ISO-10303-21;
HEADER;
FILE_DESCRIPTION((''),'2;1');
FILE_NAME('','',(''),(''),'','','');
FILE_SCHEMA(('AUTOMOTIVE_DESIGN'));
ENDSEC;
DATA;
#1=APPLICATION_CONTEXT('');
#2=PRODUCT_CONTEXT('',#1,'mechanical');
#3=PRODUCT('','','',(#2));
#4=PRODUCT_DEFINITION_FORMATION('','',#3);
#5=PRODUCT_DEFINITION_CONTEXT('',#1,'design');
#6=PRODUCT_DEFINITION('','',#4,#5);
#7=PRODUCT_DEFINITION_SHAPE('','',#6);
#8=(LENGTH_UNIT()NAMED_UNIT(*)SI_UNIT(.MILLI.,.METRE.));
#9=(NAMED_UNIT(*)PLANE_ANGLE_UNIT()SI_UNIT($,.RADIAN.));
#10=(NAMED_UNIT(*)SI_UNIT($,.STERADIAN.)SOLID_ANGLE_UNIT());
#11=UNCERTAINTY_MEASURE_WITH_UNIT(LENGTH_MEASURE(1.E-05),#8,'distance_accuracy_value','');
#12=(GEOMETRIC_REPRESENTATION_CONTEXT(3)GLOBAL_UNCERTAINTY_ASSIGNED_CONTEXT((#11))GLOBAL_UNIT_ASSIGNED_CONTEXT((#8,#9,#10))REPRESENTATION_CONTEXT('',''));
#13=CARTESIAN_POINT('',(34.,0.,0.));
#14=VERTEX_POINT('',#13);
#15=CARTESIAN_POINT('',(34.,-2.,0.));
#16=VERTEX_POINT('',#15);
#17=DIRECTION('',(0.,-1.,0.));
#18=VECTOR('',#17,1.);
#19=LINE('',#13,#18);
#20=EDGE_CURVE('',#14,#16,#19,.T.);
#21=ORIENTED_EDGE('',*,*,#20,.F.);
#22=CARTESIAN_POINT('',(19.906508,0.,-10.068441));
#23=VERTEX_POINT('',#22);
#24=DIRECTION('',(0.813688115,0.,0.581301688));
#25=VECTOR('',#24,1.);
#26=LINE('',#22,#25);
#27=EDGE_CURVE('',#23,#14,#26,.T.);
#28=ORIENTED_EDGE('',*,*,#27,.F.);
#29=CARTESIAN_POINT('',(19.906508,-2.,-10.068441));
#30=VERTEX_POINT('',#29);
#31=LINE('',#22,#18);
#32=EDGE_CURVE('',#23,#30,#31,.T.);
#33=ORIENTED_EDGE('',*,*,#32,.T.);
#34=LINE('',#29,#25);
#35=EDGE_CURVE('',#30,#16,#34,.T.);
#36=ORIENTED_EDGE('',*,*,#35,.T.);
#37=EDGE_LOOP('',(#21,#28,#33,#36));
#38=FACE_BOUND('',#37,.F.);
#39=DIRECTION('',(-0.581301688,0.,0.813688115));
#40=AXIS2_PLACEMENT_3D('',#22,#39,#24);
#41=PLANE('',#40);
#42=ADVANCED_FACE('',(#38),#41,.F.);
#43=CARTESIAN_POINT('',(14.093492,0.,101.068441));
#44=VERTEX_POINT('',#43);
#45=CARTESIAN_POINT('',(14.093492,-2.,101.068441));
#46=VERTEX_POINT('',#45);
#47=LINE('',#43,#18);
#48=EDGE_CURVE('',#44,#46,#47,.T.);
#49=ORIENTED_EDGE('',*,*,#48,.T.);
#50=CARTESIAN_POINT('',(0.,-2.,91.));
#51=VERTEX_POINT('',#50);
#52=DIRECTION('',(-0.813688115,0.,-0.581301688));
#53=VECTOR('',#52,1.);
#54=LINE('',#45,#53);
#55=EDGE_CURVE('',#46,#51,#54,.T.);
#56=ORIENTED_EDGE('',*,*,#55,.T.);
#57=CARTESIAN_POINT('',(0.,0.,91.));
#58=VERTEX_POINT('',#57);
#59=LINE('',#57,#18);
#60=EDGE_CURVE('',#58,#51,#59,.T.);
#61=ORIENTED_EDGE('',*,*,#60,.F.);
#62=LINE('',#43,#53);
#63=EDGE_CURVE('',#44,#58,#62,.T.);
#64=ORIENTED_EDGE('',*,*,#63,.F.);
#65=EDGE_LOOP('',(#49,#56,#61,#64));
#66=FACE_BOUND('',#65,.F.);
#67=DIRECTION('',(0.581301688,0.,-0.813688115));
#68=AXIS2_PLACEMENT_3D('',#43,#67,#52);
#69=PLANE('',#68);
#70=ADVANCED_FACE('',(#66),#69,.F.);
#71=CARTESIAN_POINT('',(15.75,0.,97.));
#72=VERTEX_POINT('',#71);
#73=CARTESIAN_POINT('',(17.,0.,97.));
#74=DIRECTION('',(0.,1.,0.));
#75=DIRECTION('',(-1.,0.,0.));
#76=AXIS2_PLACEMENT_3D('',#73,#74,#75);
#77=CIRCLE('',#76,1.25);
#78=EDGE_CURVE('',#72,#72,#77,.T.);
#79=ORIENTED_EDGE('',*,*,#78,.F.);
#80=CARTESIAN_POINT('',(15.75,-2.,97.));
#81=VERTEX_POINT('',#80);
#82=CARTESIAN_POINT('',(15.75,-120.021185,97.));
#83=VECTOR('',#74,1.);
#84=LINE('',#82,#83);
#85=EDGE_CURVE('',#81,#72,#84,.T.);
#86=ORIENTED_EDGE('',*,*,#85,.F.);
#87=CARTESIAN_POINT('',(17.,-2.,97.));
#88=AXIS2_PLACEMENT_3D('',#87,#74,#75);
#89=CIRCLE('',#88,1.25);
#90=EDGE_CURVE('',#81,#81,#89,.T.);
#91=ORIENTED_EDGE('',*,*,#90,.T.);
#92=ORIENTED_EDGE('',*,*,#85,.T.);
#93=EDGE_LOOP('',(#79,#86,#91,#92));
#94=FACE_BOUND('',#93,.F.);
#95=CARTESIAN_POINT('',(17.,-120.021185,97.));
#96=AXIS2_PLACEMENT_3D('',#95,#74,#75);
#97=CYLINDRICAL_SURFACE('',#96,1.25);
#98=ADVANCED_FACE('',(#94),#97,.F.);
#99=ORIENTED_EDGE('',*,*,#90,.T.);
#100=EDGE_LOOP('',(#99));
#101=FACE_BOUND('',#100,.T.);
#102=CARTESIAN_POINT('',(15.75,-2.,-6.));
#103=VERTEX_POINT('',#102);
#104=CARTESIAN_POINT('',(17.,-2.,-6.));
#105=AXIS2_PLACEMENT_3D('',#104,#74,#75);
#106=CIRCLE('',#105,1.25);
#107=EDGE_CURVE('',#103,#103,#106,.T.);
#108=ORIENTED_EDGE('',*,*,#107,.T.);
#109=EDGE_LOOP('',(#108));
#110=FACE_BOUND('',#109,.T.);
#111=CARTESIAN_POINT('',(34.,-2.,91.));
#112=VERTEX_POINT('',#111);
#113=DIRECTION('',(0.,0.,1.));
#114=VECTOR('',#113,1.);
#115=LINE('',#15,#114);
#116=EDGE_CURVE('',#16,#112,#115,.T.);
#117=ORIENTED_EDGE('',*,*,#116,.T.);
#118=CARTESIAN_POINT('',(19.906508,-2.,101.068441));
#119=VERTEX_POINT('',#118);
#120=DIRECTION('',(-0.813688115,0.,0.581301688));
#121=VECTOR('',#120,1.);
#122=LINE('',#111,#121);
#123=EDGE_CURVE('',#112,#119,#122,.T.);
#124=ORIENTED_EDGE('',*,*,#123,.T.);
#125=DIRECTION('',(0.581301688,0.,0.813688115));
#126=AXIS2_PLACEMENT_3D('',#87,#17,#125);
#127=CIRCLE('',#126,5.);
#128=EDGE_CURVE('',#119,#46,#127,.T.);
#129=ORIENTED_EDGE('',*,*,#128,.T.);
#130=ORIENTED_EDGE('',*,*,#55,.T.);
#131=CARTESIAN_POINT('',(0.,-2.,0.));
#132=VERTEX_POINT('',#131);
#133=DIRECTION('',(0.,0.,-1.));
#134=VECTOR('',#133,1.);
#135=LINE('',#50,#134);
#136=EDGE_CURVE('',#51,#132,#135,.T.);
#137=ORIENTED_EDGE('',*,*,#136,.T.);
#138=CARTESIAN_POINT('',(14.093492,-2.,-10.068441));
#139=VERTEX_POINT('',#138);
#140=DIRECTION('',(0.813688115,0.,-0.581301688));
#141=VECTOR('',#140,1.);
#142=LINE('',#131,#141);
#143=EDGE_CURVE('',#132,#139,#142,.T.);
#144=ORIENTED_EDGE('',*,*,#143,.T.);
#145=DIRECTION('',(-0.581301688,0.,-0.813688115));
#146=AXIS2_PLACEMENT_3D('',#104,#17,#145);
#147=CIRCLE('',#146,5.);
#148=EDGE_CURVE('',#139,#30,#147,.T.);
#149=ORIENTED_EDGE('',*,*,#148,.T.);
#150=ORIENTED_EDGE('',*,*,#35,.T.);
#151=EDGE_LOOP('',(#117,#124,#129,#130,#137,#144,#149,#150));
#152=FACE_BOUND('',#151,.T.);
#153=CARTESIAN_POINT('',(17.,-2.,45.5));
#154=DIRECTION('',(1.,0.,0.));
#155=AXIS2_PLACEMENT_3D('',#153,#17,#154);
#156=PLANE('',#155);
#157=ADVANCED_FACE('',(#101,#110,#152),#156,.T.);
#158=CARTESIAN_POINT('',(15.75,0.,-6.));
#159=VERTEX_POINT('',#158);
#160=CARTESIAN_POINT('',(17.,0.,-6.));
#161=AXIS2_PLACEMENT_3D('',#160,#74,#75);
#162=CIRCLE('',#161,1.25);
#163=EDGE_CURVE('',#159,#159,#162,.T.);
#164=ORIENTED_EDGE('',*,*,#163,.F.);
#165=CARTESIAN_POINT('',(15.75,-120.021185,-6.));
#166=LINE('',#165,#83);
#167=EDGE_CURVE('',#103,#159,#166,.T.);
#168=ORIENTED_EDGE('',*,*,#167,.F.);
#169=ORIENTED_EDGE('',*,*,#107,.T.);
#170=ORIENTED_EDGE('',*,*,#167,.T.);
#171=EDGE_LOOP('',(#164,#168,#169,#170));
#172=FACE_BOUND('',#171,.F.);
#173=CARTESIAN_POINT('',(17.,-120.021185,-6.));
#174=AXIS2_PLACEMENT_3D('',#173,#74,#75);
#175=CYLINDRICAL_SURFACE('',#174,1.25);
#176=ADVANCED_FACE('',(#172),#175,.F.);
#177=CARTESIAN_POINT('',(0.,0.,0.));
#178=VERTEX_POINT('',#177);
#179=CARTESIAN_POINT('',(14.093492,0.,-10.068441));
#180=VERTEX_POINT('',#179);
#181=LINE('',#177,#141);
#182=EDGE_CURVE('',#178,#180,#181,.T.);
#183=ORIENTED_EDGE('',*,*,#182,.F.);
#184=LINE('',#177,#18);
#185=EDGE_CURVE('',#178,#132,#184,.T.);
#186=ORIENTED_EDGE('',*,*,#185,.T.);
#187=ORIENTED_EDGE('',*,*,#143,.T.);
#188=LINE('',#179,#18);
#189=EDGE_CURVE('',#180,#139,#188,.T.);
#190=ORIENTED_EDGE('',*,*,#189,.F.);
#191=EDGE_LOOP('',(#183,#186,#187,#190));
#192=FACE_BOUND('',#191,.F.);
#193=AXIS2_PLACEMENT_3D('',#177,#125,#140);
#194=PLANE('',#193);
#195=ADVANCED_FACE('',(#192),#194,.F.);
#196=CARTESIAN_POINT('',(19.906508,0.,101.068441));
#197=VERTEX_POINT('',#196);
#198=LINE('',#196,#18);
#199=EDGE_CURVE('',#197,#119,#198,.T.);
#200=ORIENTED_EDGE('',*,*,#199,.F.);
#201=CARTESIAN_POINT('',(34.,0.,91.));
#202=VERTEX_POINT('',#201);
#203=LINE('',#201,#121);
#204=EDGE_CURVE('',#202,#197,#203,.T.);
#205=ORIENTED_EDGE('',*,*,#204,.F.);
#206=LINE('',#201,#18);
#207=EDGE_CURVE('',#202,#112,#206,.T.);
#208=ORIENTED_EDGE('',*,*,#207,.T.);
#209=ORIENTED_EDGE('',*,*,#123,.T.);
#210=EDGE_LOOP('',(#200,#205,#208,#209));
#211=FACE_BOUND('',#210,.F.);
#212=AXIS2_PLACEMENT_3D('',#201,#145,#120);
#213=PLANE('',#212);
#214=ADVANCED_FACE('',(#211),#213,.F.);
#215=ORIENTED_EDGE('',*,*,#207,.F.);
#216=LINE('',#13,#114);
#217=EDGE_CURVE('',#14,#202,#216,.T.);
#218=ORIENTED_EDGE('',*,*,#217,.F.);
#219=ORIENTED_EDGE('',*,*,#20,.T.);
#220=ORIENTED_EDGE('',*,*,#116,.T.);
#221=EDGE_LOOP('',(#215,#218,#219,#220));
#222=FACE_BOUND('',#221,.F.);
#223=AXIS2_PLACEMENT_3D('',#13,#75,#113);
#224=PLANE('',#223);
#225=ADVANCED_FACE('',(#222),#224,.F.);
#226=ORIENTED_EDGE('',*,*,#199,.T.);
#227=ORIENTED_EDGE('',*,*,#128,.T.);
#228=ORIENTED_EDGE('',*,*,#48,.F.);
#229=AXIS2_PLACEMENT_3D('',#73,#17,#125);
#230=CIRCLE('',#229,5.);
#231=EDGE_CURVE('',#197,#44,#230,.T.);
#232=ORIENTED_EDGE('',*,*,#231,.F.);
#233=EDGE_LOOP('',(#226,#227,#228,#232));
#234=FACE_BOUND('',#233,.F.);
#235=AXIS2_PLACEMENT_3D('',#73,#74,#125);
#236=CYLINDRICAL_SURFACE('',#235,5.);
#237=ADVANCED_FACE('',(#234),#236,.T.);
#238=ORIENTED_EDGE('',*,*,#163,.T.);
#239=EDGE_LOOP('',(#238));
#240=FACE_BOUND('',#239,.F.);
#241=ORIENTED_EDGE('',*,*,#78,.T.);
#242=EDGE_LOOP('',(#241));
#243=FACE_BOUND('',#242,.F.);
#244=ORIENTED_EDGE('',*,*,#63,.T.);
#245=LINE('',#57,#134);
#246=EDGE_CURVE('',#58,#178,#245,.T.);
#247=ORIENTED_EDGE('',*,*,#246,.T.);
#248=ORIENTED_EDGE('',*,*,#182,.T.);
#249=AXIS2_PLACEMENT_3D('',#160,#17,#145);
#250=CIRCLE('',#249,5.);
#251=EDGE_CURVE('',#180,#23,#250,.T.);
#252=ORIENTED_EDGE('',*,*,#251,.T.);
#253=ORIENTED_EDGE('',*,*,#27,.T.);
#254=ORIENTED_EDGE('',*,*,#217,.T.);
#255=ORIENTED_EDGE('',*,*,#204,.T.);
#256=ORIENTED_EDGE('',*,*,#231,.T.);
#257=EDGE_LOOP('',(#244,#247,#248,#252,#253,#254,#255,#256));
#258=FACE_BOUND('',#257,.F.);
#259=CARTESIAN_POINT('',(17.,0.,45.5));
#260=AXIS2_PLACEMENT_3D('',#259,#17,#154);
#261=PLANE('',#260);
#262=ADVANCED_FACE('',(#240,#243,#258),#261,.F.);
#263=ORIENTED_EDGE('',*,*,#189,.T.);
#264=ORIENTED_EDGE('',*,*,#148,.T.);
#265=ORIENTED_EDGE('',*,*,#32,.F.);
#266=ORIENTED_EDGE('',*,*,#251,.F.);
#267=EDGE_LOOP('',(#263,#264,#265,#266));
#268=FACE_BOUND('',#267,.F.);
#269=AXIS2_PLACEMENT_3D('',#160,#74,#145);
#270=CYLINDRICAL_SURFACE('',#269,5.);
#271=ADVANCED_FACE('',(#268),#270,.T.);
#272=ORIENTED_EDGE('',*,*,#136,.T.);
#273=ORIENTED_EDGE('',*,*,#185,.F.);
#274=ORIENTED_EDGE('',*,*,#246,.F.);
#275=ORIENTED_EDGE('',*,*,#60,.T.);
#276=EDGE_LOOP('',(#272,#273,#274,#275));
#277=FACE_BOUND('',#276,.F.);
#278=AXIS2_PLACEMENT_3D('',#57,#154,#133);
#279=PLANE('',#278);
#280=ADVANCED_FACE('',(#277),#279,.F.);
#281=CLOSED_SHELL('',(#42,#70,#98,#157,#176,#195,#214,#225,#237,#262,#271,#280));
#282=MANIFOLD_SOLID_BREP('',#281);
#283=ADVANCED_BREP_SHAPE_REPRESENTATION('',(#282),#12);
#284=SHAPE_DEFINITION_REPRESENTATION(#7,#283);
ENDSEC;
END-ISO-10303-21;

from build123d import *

# Parameters (mm, degrees)
F1_DEPTH = 2
F3_D     = 2.5


with BuildPart() as f1:
    # F0 (on Front) → F1 (new body)
    with BuildSketch(Plane.XZ):
        with BuildLine():
            Line((0, 91), (0, 0))
            Line((0, 0), (14.0934915622, -10.0684405736))
            ThreePointArc((14.0934915622, -10.0684405736), (17, -11), (19.9065084378, -10.0684405736))
            Line((19.9065084378, -10.0684405736), (34, 0))
            Line((34, 0), (34, 91))
            Line((34, 91), (19.9065084378, 101.0684405736))
            ThreePointArc((19.9065084378, 101.0684405736), (17, 102), (14.0934915622, 101.0684405736))
            Line((14.0934915622, 101.0684405736), (0, 91))
        make_face()
    extrude(amount=F1_DEPTH)

    # F3 (through all)
    with Locations(Plane.XZ.offset(2)):
        with Locations((17, -6), (17, 97)):
            Hole(F3_D / 2)


solid = f1.part
